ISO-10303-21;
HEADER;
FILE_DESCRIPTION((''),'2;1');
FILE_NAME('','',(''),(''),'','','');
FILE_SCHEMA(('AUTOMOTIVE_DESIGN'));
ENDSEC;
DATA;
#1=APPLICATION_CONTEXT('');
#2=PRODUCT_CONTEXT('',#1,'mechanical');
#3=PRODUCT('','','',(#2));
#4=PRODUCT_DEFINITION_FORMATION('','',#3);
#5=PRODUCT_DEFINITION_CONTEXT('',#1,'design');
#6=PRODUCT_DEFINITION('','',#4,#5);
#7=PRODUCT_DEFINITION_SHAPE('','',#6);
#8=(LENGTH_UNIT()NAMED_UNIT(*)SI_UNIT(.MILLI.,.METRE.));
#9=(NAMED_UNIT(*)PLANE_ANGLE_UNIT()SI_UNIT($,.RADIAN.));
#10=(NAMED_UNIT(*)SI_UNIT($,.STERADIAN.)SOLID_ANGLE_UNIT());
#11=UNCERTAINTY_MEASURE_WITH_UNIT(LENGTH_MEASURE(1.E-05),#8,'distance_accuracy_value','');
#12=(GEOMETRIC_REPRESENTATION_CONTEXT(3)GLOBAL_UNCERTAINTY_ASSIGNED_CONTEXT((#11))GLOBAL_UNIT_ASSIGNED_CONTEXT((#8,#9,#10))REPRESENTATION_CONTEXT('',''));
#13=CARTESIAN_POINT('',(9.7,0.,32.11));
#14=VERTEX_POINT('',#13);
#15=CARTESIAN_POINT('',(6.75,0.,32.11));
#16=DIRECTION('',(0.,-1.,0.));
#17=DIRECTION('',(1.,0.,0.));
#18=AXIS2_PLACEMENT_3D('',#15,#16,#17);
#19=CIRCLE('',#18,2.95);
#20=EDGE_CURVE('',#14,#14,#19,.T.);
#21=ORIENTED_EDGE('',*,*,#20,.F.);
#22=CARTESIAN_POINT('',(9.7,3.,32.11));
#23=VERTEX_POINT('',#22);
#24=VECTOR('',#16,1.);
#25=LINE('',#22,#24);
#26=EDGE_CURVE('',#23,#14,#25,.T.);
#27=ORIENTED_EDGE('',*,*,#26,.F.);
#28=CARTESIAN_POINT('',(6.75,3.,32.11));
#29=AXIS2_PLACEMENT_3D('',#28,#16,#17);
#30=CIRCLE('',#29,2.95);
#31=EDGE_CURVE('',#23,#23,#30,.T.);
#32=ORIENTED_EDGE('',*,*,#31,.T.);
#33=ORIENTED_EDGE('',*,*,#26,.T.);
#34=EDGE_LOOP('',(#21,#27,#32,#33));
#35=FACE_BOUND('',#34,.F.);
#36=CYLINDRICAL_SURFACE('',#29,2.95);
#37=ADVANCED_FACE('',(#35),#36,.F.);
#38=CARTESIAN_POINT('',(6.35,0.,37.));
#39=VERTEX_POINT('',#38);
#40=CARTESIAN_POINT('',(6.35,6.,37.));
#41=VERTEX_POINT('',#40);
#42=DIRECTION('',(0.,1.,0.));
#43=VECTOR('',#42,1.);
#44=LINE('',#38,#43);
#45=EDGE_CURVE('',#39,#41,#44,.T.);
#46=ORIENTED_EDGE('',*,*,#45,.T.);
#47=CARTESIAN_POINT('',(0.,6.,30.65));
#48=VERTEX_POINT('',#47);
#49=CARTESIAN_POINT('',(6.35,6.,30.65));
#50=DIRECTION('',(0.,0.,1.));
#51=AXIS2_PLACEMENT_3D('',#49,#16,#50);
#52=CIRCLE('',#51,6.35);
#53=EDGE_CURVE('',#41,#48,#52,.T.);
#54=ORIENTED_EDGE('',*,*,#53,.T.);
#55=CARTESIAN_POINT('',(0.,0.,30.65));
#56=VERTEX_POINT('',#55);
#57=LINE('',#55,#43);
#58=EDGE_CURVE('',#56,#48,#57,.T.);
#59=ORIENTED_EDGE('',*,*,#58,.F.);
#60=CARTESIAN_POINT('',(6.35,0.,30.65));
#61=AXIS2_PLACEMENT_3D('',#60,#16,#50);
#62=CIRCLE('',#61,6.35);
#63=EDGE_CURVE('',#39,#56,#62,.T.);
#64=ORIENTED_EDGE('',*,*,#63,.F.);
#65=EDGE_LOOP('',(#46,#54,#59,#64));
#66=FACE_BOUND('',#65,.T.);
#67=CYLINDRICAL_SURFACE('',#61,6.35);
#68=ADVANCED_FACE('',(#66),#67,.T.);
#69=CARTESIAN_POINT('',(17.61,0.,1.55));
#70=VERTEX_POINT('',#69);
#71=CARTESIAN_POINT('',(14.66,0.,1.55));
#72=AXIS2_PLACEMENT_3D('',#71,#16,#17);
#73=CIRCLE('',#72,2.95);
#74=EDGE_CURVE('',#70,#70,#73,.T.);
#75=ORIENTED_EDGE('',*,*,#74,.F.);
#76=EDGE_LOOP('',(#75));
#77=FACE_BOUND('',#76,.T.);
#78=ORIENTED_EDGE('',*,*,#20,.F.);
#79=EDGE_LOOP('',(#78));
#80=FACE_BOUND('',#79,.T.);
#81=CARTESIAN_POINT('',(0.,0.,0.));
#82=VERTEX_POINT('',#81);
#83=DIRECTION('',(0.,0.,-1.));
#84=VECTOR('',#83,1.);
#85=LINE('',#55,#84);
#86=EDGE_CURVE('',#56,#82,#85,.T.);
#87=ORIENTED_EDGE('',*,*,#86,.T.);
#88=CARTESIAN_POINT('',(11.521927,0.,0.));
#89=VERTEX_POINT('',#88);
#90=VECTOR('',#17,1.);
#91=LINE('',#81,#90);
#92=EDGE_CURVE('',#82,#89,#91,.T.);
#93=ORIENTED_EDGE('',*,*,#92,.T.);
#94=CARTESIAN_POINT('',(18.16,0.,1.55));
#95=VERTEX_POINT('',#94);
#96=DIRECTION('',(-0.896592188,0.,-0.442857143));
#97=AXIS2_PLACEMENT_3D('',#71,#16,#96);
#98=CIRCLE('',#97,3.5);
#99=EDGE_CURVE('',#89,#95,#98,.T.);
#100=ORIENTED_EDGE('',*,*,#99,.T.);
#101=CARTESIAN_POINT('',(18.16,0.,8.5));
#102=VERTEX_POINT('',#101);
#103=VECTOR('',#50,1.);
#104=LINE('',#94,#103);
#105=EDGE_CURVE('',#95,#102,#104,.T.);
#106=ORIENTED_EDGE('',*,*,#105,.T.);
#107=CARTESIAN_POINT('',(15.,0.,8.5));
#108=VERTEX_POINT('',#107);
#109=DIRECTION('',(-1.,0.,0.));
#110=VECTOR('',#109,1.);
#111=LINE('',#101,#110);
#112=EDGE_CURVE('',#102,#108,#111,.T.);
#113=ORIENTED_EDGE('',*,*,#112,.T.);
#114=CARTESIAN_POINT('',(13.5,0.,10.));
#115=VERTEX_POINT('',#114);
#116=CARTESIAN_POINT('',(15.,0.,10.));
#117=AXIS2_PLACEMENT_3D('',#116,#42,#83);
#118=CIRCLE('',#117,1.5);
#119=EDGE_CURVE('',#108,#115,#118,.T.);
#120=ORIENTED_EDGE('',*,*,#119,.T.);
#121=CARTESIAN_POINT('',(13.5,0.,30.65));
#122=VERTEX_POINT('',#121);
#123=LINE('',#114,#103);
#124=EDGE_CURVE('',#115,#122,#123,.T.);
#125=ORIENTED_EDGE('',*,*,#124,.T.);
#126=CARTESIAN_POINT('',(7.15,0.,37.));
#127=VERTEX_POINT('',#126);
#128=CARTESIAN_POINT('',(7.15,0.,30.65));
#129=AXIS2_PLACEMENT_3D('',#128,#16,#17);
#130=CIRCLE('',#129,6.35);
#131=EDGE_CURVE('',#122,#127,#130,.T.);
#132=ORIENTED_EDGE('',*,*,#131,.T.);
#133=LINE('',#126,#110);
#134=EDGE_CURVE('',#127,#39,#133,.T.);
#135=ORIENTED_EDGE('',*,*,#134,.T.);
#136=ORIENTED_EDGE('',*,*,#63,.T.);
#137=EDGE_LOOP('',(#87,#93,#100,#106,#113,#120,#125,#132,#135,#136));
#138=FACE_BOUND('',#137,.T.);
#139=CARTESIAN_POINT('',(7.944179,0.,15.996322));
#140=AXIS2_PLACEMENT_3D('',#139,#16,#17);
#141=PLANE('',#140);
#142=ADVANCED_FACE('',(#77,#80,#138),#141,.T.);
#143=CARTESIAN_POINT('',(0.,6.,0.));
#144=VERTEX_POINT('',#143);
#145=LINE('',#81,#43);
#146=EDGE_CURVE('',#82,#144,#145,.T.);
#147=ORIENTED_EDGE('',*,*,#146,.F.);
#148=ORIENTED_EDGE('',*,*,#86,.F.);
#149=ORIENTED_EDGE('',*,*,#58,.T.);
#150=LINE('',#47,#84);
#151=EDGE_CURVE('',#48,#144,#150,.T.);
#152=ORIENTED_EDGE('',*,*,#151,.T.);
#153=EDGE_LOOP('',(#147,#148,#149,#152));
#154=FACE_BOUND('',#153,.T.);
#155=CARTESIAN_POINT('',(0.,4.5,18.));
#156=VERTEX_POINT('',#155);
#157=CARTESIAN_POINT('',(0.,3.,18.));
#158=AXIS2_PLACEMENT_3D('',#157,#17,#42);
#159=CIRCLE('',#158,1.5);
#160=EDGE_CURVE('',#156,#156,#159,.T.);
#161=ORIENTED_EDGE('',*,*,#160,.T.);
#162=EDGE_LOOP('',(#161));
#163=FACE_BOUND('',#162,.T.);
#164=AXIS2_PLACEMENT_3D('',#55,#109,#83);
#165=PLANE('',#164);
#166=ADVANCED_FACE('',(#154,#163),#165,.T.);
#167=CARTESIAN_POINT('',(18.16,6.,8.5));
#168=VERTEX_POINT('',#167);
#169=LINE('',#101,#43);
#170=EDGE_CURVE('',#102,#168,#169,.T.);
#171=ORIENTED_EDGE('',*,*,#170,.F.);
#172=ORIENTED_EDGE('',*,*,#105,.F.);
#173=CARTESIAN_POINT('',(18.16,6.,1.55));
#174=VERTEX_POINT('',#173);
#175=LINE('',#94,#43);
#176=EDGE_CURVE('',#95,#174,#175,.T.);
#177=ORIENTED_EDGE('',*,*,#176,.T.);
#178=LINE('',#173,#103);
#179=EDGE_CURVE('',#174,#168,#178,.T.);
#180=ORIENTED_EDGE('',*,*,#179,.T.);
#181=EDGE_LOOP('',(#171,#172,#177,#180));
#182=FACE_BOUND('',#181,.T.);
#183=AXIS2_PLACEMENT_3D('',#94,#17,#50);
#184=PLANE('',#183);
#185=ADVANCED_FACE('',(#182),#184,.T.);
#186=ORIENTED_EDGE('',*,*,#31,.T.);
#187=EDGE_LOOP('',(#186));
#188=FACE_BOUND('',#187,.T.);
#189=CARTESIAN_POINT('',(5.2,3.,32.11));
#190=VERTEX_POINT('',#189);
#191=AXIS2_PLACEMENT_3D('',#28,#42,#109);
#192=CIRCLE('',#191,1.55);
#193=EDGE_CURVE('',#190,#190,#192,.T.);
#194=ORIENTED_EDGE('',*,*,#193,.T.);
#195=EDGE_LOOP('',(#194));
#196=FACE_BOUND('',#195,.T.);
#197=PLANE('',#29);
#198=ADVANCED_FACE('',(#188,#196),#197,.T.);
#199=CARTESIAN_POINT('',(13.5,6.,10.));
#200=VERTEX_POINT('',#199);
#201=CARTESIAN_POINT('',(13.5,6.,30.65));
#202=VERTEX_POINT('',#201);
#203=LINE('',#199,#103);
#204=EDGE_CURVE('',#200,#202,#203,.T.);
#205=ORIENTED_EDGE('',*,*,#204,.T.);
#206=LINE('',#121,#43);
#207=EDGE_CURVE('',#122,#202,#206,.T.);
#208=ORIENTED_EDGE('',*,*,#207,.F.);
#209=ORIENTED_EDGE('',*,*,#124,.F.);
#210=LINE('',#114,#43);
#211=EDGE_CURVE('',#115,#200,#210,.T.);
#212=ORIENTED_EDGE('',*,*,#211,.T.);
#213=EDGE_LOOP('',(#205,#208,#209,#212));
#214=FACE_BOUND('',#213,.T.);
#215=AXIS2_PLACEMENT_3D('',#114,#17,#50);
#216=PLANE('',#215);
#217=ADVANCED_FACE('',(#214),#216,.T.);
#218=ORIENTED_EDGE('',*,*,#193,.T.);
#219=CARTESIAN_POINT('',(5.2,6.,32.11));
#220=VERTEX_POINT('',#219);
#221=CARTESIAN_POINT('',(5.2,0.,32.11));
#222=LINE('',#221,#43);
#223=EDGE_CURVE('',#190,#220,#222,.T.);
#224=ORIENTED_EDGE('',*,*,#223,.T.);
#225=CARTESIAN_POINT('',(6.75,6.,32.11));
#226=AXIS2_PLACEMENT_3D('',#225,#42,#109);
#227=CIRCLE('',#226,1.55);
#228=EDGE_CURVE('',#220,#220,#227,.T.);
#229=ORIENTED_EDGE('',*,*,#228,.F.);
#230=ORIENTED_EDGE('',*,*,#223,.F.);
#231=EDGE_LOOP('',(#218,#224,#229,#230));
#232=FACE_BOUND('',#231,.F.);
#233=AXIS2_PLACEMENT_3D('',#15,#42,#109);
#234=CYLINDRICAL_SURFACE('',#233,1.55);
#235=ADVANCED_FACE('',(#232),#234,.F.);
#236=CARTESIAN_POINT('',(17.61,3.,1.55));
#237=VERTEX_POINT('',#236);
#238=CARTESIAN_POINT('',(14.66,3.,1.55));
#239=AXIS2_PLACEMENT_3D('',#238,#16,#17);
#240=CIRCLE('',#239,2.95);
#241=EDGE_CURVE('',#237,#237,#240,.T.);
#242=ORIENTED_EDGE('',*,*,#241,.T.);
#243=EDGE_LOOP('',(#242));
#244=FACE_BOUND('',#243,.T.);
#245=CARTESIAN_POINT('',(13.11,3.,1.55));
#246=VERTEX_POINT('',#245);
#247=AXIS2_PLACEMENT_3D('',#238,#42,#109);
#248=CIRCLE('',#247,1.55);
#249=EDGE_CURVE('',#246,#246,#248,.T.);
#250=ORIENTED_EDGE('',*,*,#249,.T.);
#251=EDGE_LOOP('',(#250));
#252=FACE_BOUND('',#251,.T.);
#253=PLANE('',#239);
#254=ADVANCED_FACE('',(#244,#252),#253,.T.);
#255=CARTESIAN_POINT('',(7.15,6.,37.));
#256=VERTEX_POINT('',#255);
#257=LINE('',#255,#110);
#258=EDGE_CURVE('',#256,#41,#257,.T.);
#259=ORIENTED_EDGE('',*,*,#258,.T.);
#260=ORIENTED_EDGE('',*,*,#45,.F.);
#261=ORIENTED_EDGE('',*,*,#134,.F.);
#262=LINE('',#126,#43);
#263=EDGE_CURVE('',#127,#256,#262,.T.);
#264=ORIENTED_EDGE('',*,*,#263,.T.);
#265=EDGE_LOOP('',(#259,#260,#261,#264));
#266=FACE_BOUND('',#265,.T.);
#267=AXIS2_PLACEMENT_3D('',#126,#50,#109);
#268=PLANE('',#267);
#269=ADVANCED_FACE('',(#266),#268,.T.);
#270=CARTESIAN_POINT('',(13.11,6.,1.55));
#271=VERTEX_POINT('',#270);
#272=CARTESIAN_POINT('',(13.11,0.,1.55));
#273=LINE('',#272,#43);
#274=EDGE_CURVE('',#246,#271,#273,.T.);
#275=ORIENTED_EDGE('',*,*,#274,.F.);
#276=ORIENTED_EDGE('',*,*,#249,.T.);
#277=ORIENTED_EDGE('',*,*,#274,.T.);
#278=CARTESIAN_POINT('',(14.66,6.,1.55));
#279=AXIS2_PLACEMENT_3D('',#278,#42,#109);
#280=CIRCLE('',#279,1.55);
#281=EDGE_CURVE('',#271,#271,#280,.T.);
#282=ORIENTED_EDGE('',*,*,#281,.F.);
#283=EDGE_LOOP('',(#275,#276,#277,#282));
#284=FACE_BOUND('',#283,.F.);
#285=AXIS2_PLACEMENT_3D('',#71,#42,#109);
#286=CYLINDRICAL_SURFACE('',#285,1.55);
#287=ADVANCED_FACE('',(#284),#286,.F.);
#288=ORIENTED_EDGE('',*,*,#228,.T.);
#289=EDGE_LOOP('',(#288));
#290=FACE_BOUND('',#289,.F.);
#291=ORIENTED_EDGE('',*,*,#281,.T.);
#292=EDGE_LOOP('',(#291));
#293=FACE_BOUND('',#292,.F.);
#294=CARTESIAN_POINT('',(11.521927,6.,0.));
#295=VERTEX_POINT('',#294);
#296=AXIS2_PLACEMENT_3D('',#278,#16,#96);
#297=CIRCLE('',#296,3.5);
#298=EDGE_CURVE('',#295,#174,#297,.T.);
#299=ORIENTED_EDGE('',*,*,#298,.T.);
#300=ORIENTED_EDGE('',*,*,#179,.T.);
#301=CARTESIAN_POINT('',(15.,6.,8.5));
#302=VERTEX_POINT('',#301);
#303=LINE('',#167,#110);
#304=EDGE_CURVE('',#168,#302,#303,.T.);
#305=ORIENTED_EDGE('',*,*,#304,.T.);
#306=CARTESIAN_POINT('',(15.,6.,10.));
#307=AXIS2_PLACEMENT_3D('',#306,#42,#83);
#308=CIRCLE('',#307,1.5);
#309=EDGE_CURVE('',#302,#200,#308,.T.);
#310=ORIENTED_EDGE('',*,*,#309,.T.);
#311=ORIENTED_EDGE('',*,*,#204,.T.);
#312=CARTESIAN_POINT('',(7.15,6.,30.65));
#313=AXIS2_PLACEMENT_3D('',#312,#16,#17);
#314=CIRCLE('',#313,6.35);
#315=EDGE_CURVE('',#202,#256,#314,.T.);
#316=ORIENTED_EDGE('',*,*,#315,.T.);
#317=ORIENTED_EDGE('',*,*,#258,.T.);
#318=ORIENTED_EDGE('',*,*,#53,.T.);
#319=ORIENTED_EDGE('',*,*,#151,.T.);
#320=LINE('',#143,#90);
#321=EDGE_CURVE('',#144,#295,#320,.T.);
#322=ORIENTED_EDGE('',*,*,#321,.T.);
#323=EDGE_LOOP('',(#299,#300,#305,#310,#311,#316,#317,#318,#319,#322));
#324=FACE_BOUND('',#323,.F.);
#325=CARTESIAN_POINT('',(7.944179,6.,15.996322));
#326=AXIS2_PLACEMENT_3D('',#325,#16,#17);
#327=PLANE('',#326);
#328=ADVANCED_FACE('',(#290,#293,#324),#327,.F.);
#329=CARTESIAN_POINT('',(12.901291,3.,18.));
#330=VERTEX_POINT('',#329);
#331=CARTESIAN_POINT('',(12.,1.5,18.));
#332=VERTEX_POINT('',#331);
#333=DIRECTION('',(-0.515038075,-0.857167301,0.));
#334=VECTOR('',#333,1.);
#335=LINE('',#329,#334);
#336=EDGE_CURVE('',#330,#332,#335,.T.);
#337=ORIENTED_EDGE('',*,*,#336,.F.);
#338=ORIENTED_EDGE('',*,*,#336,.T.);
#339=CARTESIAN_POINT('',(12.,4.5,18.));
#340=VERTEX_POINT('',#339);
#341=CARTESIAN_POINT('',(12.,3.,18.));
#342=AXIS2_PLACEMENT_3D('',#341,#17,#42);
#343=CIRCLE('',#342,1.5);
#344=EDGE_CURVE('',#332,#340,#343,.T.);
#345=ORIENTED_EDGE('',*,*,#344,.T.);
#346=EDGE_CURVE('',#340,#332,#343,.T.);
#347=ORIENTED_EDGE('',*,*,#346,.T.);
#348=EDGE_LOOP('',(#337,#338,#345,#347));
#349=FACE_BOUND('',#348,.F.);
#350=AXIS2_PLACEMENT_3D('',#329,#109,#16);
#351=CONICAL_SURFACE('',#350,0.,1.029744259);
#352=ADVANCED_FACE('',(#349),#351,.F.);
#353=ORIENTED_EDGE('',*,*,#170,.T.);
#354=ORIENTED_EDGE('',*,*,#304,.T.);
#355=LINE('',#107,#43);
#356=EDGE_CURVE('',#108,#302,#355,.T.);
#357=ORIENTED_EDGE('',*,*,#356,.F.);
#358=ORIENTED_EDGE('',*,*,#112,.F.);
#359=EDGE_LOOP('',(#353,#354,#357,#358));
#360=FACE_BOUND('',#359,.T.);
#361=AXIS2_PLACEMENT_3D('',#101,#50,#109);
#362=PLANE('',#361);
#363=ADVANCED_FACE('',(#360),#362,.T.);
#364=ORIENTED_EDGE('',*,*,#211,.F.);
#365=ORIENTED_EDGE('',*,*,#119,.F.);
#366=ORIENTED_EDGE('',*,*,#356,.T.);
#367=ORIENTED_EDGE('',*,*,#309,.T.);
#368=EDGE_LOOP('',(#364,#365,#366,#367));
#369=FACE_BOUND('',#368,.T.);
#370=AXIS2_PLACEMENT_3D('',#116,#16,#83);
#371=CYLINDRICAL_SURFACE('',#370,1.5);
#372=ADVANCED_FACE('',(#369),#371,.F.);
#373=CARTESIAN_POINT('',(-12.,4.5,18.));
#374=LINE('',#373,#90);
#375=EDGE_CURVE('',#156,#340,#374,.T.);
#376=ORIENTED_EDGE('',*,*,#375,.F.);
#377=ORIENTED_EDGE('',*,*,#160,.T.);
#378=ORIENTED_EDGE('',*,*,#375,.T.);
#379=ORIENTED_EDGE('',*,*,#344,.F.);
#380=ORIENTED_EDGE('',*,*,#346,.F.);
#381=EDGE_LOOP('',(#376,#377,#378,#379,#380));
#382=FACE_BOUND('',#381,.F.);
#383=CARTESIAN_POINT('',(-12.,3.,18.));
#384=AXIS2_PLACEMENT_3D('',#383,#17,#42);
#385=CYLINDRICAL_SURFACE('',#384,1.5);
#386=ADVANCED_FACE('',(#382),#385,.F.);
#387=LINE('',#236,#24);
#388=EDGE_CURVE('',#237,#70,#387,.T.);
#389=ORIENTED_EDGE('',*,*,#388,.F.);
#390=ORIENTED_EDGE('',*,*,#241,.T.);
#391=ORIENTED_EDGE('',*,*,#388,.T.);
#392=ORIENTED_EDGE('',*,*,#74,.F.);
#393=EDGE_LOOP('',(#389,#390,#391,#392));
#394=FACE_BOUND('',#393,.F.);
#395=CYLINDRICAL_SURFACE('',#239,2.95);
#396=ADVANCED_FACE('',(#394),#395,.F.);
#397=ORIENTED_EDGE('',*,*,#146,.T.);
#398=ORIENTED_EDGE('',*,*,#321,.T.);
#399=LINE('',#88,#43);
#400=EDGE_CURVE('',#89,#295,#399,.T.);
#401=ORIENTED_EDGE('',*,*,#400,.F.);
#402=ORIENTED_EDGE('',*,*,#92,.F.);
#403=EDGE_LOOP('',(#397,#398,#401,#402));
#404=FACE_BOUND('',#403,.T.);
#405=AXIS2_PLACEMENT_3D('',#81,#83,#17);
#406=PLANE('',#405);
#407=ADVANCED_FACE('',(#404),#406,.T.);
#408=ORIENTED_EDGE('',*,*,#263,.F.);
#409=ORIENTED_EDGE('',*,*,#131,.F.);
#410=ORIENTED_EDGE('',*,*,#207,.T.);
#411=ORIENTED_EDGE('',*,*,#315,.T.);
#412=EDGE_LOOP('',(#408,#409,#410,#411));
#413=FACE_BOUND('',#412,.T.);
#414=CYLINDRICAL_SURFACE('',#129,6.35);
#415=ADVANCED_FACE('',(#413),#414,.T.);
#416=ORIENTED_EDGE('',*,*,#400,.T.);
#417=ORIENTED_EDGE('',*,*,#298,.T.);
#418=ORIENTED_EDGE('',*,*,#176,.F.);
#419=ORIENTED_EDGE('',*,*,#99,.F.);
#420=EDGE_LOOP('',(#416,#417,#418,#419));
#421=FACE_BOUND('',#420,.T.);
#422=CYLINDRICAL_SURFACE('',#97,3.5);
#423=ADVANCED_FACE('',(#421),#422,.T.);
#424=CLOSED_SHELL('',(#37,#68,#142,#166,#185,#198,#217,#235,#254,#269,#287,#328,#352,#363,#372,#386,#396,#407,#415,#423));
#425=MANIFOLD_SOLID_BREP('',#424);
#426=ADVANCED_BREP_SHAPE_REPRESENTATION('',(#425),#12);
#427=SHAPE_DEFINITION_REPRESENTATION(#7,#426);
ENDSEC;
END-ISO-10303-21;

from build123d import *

# Parameters (mm, degrees)
F1_DEPTH       = 6
F2_D           = 3.1
F2_CBORE_D     = 5.9
F2_CBORE_DEPTH = 3
F3_D           = 3.1
F3_CBORE_D     = 5.9
F3_CBORE_DEPTH = 3
F5_D           = 3
F5_DEPTH       = 12
F5_TIP         = 0.9012909285


with BuildPart() as f1:
    # F0 (on Front) → F1 (new body)
    with BuildSketch(Plane.XZ):
        with BuildLine():
            ThreePointArc((6.35, 37), (1.8598719395, 35.1401280605), (0, 30.65))
            Line((0, 30.65), (0, 0))
            Line((0, 0), (11.5219274306, 0))
            ThreePointArc((11.5219274306, 0), (15.4558473407, -1.8583173487), (18.1600000875, 1.55))
            Line((18.1600000875, 1.55), (18.1600000875, 8.5))
            Line((18.1600000875, 8.5), (15, 8.5))
            ThreePointArc((15, 8.5), (13.9393398282, 8.9393398282), (13.5, 10))
            Line((13.5, 10), (13.5, 30.65))
            ThreePointArc((13.5, 30.65), (11.6401280605, 35.1401280605), (7.15, 37))
            Line((7.15, 37), (6.35, 37))
        make_face()
    extrude(amount=-F1_DEPTH)

    # F2 (through all)
    with Locations(Plane.XZ):
        with Locations((6.7500000875, 32.11)):
            CounterBoreHole(F2_D / 2, F2_CBORE_D / 2, F2_CBORE_DEPTH)

    # F3 (through all)
    with Locations(Plane.XZ):
        with Locations((14.6600000875, 1.55)):
            CounterBoreHole(F3_D / 2, F3_CBORE_D / 2, F3_CBORE_DEPTH)

    # F5
    with Locations(Plane(origin=(0, 0, 0), x_dir=(0, -1, 0), z_dir=(-1, 0, 0))):
        with Locations((-3, 18)):
            Hole(F5_D / 2, depth=F5_DEPTH)
            with Locations((0, 0, -(F5_DEPTH + F5_TIP / 2))):  # 118° drill point
                Cone(0, F5_D / 2, F5_TIP, mode=Mode.SUBTRACT)


solid = f1.part
